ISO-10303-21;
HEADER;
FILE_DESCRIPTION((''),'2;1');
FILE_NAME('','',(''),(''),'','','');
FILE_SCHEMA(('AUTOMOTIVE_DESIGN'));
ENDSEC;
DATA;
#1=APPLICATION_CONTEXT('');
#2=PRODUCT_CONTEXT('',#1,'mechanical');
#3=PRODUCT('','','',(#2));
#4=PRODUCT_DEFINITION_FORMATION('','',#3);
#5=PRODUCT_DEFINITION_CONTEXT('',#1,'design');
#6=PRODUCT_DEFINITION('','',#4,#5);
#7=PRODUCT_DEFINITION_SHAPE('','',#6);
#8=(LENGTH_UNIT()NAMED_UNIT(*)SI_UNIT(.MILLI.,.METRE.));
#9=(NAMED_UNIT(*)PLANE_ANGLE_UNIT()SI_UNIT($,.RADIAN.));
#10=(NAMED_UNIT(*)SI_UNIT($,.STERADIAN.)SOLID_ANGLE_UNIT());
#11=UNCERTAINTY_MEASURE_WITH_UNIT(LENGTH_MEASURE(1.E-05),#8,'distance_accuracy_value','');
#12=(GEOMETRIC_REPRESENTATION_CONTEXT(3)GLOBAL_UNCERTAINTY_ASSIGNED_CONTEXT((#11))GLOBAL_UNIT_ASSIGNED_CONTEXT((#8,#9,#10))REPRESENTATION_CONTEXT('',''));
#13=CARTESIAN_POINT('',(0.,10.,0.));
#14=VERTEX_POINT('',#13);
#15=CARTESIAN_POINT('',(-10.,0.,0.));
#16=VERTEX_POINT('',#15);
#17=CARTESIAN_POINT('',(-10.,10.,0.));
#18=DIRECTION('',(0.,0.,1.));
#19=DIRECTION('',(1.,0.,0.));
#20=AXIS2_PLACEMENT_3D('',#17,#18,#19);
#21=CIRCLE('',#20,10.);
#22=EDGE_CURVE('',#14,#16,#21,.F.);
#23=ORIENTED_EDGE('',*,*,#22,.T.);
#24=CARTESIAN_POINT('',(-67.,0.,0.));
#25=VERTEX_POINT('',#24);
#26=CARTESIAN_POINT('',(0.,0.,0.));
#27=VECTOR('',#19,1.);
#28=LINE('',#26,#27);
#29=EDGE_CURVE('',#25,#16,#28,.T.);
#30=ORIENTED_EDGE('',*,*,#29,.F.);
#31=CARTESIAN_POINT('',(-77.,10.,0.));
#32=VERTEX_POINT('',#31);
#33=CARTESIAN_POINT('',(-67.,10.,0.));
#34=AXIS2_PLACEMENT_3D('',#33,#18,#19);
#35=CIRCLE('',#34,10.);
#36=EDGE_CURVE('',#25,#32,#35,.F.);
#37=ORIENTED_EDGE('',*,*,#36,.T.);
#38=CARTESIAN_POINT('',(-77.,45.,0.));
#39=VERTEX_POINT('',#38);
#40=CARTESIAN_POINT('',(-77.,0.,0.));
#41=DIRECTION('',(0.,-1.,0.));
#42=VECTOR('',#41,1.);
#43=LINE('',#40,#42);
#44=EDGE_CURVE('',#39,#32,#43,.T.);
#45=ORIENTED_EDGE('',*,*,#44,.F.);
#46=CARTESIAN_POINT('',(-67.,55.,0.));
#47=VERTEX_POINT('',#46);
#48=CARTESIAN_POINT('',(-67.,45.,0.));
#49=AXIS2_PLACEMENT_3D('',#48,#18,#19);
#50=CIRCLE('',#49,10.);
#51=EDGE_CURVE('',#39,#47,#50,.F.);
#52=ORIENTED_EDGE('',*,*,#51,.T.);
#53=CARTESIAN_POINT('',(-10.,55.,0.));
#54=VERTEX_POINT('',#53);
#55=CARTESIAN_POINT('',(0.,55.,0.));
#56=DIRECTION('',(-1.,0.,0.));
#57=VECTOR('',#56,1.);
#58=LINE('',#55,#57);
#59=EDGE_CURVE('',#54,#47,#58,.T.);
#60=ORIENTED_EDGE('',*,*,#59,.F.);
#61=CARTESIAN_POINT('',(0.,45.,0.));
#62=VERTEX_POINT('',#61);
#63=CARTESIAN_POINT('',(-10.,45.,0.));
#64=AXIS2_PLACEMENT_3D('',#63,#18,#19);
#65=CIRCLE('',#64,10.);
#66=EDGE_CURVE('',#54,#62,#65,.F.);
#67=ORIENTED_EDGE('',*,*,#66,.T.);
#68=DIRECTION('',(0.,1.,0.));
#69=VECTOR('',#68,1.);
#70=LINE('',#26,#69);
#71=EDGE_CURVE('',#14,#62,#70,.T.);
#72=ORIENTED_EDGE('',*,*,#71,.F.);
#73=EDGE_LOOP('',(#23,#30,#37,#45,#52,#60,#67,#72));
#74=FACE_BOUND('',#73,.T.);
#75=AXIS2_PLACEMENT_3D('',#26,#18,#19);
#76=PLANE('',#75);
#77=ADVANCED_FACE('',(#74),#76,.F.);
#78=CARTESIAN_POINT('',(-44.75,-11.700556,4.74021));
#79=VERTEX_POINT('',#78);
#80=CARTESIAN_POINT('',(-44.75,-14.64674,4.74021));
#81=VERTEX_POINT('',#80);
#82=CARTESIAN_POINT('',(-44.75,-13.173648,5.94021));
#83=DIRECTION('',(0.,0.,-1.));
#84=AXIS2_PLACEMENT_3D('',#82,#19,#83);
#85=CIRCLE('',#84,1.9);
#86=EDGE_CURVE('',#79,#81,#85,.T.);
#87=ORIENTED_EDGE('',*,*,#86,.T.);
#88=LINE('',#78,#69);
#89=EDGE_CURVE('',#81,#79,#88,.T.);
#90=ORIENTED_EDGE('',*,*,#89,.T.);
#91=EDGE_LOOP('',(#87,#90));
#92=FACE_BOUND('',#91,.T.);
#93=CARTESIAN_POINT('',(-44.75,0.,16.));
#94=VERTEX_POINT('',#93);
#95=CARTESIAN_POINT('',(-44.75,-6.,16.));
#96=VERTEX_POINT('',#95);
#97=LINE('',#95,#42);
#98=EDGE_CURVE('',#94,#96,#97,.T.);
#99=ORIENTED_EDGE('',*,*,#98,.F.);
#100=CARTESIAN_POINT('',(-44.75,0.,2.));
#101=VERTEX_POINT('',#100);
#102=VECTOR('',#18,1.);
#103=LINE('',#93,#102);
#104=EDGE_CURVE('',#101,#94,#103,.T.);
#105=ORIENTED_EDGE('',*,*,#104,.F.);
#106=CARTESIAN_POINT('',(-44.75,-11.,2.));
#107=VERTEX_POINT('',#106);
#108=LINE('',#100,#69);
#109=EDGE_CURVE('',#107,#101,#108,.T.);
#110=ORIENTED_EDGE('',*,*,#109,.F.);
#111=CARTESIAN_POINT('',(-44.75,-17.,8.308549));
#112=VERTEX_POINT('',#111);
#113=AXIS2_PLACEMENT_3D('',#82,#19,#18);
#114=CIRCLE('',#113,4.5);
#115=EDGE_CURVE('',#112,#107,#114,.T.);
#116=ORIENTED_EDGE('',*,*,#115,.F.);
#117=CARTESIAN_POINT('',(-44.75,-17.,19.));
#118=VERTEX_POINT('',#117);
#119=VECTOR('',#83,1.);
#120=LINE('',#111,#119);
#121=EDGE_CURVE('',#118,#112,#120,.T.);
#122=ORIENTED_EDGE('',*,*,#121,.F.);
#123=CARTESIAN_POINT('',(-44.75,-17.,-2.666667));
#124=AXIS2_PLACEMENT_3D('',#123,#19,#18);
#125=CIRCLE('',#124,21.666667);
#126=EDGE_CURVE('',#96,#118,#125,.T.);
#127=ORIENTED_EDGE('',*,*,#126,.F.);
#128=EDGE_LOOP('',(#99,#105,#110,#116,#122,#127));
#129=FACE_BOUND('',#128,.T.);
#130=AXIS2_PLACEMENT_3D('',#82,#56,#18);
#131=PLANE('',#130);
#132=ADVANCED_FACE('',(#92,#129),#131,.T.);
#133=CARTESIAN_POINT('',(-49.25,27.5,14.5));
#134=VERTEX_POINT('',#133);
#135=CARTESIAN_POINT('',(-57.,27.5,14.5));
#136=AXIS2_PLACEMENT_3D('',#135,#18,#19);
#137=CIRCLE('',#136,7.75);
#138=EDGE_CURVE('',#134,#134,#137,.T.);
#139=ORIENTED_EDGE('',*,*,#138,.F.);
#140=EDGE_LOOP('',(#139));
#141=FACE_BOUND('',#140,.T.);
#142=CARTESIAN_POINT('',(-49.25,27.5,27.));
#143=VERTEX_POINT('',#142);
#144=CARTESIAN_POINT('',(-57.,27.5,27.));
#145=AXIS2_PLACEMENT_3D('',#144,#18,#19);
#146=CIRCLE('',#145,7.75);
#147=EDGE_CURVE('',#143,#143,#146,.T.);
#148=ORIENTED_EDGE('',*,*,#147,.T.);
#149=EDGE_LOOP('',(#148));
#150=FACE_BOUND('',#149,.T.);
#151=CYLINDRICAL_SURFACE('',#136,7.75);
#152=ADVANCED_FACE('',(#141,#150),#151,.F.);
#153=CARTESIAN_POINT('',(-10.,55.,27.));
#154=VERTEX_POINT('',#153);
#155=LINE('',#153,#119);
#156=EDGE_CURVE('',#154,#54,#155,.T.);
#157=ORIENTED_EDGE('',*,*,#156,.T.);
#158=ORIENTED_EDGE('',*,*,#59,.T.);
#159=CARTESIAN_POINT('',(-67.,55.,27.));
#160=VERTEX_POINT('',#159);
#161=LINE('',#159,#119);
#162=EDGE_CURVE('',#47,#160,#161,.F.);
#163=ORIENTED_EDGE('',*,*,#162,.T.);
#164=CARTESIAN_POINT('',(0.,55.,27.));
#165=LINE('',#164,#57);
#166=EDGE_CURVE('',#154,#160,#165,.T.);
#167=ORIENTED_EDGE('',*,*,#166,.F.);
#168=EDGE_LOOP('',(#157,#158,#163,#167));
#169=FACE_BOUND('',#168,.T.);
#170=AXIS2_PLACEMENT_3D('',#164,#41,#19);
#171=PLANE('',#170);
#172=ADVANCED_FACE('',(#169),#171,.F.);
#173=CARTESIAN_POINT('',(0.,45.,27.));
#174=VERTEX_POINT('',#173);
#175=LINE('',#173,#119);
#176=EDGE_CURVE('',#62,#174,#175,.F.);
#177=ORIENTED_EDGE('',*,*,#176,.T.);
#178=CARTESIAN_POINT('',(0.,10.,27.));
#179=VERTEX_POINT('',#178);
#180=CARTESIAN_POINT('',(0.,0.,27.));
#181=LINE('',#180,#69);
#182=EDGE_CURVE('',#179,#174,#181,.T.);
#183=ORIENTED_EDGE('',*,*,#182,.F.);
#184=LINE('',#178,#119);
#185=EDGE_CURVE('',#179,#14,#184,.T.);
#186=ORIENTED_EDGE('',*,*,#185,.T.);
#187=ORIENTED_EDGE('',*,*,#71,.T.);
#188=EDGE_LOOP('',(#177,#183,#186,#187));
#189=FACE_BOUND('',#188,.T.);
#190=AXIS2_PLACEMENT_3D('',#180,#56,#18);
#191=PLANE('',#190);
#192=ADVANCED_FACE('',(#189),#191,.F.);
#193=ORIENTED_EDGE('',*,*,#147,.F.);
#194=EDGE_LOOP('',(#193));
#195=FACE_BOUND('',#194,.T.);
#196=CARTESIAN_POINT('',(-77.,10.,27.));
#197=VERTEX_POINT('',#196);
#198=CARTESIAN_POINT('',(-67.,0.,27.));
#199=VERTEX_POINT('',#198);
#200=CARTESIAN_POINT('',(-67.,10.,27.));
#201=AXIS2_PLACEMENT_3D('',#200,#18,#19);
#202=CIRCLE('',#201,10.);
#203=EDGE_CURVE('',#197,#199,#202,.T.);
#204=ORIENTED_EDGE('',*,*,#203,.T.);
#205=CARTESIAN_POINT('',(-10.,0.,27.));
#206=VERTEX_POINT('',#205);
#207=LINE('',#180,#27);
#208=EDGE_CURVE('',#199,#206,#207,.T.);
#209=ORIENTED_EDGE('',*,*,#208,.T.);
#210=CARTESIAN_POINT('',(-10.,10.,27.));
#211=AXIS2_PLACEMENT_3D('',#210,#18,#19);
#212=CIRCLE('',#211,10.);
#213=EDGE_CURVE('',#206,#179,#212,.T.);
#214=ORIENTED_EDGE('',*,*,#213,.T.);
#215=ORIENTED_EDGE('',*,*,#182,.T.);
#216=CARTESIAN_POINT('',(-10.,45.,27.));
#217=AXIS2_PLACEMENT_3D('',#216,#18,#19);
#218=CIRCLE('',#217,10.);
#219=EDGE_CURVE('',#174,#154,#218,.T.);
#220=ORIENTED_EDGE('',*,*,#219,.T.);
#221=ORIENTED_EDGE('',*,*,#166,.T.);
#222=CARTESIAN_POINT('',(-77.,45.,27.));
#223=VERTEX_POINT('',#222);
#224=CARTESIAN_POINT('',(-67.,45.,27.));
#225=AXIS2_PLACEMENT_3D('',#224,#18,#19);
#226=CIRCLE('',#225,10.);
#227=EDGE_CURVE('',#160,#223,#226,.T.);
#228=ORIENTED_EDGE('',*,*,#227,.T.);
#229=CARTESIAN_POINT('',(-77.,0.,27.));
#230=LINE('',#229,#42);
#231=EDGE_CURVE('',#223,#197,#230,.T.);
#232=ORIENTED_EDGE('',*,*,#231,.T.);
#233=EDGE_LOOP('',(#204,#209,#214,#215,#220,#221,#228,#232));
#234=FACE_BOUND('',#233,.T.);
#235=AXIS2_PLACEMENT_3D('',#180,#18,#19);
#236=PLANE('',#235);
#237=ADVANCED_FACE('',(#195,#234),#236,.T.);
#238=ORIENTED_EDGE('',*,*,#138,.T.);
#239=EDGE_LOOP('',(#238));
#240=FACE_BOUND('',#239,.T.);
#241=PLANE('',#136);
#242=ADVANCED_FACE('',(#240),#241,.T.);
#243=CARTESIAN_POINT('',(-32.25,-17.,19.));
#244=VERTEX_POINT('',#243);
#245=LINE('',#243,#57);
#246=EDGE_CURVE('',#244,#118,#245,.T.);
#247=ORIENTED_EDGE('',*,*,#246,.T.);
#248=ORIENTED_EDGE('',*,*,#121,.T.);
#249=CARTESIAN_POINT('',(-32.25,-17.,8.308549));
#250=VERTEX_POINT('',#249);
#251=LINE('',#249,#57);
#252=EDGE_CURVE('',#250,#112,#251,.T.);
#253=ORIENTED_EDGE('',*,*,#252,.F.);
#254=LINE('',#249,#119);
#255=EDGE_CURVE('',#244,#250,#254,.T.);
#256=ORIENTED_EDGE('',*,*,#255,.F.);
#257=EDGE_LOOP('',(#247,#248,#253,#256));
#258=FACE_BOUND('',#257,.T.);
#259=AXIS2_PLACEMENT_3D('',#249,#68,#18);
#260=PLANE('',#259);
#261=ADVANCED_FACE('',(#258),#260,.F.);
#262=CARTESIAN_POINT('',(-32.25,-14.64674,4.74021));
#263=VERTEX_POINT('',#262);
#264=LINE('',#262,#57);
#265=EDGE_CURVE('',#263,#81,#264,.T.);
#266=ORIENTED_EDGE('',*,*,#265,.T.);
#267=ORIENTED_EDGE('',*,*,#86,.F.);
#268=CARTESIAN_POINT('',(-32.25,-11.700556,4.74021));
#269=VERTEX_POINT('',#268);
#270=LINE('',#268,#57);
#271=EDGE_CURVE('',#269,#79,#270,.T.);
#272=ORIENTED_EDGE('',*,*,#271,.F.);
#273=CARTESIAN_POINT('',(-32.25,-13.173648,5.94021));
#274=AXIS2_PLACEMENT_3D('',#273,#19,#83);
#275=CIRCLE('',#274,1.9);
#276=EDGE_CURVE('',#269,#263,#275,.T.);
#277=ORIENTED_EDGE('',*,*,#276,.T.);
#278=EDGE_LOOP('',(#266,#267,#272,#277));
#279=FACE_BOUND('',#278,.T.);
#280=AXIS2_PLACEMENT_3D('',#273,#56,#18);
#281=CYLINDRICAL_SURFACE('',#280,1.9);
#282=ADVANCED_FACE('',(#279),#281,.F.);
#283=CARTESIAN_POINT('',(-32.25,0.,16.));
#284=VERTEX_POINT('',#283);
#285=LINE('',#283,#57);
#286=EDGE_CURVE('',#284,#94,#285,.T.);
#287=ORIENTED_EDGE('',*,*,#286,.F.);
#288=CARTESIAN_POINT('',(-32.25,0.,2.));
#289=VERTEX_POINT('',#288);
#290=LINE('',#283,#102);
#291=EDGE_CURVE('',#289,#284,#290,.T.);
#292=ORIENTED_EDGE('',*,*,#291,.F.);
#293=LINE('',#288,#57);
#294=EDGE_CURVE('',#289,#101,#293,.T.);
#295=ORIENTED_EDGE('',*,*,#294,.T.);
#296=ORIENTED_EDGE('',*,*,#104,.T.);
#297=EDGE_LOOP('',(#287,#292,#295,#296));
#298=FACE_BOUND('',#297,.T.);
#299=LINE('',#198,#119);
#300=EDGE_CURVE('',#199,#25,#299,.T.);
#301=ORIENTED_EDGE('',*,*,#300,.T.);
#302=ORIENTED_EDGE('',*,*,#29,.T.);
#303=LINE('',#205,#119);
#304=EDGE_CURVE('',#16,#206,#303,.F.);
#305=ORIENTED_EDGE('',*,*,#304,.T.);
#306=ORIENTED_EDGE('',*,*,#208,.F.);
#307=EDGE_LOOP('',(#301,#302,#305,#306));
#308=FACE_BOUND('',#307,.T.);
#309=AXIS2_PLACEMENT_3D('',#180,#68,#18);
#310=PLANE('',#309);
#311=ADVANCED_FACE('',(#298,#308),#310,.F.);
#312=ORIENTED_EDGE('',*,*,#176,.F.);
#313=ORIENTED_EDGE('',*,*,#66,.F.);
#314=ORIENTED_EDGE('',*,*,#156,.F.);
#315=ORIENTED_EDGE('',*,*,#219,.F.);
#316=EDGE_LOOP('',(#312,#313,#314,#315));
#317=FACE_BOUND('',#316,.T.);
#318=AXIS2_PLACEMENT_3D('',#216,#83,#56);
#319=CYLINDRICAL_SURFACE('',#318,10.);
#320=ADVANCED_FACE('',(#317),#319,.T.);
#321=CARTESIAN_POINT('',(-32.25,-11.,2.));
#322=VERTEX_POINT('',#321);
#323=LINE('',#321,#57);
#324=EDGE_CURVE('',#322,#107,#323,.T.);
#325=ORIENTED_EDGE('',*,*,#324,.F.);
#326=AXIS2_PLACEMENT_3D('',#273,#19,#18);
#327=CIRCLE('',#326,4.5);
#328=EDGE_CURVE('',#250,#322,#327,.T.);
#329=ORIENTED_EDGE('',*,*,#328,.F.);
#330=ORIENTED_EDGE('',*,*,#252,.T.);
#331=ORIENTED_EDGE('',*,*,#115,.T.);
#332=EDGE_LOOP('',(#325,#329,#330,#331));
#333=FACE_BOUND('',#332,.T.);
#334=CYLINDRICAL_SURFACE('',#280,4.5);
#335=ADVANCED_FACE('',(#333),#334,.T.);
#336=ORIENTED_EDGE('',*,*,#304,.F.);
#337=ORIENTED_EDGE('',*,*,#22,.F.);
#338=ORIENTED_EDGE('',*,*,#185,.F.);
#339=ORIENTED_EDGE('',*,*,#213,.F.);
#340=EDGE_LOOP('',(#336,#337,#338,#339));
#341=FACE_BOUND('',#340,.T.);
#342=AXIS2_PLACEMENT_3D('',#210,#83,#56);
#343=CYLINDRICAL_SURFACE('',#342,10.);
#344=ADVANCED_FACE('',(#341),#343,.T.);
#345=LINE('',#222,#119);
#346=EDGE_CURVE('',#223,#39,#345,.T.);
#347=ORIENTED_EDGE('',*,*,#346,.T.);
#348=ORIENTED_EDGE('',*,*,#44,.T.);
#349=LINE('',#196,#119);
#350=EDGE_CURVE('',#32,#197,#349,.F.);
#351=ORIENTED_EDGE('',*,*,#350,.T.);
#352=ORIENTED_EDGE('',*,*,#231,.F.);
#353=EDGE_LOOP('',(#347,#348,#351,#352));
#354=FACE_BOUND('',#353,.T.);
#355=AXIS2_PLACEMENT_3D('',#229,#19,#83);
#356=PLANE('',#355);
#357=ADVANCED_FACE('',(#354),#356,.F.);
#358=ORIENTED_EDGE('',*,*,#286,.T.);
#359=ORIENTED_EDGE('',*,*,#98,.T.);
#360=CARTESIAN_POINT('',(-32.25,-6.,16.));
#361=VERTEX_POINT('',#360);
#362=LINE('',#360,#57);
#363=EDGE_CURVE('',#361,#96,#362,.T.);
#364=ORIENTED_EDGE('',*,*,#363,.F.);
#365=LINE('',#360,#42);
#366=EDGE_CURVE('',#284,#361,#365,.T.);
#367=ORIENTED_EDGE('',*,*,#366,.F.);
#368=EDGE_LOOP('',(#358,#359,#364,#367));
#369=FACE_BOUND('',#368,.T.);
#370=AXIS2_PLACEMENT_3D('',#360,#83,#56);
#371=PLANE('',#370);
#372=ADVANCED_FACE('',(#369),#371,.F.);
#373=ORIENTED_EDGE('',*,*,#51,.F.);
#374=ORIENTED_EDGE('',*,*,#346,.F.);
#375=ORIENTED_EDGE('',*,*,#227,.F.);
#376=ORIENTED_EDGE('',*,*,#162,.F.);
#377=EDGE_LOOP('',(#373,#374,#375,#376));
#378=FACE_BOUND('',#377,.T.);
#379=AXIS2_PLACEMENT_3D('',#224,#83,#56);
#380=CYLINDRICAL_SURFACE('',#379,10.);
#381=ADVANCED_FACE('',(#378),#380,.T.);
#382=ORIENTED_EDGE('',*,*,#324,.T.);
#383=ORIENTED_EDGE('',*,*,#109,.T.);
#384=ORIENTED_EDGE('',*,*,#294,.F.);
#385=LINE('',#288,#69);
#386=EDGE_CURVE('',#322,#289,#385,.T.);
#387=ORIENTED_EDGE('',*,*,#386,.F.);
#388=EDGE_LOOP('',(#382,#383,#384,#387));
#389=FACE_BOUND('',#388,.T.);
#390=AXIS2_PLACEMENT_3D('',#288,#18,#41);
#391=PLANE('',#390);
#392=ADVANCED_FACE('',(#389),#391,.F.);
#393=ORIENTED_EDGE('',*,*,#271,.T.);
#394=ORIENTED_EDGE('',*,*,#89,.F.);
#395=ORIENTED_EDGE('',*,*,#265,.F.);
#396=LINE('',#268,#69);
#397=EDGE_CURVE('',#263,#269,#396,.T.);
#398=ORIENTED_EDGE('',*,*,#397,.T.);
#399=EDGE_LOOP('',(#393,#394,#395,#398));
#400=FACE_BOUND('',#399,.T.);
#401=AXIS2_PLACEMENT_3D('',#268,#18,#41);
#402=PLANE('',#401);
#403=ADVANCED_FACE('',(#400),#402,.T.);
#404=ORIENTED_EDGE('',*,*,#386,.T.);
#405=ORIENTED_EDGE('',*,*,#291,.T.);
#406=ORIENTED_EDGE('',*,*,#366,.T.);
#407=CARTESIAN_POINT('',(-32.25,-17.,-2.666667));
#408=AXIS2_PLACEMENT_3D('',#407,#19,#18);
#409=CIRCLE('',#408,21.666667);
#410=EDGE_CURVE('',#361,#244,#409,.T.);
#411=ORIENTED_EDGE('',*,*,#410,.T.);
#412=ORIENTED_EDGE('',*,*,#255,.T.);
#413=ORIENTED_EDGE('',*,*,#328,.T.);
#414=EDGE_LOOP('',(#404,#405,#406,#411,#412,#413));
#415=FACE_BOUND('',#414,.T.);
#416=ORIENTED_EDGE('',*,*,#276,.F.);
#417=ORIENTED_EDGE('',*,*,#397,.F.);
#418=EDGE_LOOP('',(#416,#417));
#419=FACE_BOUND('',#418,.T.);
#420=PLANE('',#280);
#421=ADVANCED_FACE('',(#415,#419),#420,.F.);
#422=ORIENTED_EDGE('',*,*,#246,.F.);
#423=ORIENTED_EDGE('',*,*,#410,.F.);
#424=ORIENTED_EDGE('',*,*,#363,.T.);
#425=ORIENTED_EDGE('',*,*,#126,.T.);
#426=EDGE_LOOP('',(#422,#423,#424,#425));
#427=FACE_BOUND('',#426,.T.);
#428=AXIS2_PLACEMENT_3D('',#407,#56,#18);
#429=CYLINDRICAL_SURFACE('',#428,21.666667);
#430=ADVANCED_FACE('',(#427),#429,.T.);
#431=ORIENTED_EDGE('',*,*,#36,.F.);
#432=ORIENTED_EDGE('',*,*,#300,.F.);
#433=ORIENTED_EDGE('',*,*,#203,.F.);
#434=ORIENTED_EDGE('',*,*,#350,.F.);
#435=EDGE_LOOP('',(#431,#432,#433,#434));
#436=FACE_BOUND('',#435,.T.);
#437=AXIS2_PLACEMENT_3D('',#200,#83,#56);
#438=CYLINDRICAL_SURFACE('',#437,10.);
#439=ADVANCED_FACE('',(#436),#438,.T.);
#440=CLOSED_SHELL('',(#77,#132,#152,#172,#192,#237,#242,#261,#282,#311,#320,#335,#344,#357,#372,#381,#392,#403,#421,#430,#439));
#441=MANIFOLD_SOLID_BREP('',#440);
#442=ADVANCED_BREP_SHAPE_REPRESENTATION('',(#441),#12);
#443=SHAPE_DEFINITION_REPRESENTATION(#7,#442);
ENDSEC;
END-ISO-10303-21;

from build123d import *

# Parameters (mm, degrees)
SKETCH1_W           = 77
SKETCH1_H           = 55
BOSS_EXTRUDE1_DEPTH = 27
FILLET1_R           = 10
BOSS_EXTRUDE2_START = -44.75
BOSS_EXTRUDE2_DEPTH = 12.5
SKETCH3_R           = 7.75
CUT_EXTRUDE1_DEPTH  = 12.5


with BuildPart() as part:
    # Sketch1 → Boss-Extrude1 (new body)
    with BuildSketch(Plane.XY):
        with Locations((-38.5, 27.5)):
            Rectangle(SKETCH1_W, SKETCH1_H)
    extrude(amount=BOSS_EXTRUDE1_DEPTH)

    # Fillet1
    fillet1_edges = [part.edges().sort_by_distance(p)[0] for p in [
        (0, 0, 13.5),
        (-77, 0, 13.5),
        (-77, 55, 13.5),
        (0, 55, 13.5),
    ]]
    fillet(fillet1_edges, radius=FILLET1_R)

    # Sketch2 → Boss-Extrude2 (add)
    with BuildSketch(Plane(origin=(0, 0, 0), x_dir=(0, 0, -1), z_dir=(1, 0, 0)).offset(BOSS_EXTRUDE2_START)):
        with BuildLine():
            Line((-2, 0), (-2, -11))
            ThreePointArc((-2, -11), (-2.838969197, -16.434369418), (-8.308548919, -17))
            Line((-8.308548919, -17), (-19, -17))
            ThreePointArc((-19, -17), (-18.23654946, -11.299122875), (-16, -6))
            Line((-16, -6), (-16, 0))
            Line((-16, 0), (-2, 0))
        make_face()
        with BuildLine():
            Line((-4.740210034, -11.700555844), (-4.740210034, -14.646739817))
            ThreePointArc((-4.740210034, -14.646739817), (-7.840210034, -13.17364783), (-4.740210034, -11.700555844))
        make_face(mode=Mode.SUBTRACT)
    extrude(amount=BOSS_EXTRUDE2_DEPTH)

    # Sketch3 → Cut-Extrude1 (cut)
    with BuildSketch(Plane.XY.offset(27)):
        with Locations((-57, 27.5)):
            Circle(SKETCH3_R)
    extrude(amount=-CUT_EXTRUDE1_DEPTH, mode=Mode.SUBTRACT)


solid = part.part
